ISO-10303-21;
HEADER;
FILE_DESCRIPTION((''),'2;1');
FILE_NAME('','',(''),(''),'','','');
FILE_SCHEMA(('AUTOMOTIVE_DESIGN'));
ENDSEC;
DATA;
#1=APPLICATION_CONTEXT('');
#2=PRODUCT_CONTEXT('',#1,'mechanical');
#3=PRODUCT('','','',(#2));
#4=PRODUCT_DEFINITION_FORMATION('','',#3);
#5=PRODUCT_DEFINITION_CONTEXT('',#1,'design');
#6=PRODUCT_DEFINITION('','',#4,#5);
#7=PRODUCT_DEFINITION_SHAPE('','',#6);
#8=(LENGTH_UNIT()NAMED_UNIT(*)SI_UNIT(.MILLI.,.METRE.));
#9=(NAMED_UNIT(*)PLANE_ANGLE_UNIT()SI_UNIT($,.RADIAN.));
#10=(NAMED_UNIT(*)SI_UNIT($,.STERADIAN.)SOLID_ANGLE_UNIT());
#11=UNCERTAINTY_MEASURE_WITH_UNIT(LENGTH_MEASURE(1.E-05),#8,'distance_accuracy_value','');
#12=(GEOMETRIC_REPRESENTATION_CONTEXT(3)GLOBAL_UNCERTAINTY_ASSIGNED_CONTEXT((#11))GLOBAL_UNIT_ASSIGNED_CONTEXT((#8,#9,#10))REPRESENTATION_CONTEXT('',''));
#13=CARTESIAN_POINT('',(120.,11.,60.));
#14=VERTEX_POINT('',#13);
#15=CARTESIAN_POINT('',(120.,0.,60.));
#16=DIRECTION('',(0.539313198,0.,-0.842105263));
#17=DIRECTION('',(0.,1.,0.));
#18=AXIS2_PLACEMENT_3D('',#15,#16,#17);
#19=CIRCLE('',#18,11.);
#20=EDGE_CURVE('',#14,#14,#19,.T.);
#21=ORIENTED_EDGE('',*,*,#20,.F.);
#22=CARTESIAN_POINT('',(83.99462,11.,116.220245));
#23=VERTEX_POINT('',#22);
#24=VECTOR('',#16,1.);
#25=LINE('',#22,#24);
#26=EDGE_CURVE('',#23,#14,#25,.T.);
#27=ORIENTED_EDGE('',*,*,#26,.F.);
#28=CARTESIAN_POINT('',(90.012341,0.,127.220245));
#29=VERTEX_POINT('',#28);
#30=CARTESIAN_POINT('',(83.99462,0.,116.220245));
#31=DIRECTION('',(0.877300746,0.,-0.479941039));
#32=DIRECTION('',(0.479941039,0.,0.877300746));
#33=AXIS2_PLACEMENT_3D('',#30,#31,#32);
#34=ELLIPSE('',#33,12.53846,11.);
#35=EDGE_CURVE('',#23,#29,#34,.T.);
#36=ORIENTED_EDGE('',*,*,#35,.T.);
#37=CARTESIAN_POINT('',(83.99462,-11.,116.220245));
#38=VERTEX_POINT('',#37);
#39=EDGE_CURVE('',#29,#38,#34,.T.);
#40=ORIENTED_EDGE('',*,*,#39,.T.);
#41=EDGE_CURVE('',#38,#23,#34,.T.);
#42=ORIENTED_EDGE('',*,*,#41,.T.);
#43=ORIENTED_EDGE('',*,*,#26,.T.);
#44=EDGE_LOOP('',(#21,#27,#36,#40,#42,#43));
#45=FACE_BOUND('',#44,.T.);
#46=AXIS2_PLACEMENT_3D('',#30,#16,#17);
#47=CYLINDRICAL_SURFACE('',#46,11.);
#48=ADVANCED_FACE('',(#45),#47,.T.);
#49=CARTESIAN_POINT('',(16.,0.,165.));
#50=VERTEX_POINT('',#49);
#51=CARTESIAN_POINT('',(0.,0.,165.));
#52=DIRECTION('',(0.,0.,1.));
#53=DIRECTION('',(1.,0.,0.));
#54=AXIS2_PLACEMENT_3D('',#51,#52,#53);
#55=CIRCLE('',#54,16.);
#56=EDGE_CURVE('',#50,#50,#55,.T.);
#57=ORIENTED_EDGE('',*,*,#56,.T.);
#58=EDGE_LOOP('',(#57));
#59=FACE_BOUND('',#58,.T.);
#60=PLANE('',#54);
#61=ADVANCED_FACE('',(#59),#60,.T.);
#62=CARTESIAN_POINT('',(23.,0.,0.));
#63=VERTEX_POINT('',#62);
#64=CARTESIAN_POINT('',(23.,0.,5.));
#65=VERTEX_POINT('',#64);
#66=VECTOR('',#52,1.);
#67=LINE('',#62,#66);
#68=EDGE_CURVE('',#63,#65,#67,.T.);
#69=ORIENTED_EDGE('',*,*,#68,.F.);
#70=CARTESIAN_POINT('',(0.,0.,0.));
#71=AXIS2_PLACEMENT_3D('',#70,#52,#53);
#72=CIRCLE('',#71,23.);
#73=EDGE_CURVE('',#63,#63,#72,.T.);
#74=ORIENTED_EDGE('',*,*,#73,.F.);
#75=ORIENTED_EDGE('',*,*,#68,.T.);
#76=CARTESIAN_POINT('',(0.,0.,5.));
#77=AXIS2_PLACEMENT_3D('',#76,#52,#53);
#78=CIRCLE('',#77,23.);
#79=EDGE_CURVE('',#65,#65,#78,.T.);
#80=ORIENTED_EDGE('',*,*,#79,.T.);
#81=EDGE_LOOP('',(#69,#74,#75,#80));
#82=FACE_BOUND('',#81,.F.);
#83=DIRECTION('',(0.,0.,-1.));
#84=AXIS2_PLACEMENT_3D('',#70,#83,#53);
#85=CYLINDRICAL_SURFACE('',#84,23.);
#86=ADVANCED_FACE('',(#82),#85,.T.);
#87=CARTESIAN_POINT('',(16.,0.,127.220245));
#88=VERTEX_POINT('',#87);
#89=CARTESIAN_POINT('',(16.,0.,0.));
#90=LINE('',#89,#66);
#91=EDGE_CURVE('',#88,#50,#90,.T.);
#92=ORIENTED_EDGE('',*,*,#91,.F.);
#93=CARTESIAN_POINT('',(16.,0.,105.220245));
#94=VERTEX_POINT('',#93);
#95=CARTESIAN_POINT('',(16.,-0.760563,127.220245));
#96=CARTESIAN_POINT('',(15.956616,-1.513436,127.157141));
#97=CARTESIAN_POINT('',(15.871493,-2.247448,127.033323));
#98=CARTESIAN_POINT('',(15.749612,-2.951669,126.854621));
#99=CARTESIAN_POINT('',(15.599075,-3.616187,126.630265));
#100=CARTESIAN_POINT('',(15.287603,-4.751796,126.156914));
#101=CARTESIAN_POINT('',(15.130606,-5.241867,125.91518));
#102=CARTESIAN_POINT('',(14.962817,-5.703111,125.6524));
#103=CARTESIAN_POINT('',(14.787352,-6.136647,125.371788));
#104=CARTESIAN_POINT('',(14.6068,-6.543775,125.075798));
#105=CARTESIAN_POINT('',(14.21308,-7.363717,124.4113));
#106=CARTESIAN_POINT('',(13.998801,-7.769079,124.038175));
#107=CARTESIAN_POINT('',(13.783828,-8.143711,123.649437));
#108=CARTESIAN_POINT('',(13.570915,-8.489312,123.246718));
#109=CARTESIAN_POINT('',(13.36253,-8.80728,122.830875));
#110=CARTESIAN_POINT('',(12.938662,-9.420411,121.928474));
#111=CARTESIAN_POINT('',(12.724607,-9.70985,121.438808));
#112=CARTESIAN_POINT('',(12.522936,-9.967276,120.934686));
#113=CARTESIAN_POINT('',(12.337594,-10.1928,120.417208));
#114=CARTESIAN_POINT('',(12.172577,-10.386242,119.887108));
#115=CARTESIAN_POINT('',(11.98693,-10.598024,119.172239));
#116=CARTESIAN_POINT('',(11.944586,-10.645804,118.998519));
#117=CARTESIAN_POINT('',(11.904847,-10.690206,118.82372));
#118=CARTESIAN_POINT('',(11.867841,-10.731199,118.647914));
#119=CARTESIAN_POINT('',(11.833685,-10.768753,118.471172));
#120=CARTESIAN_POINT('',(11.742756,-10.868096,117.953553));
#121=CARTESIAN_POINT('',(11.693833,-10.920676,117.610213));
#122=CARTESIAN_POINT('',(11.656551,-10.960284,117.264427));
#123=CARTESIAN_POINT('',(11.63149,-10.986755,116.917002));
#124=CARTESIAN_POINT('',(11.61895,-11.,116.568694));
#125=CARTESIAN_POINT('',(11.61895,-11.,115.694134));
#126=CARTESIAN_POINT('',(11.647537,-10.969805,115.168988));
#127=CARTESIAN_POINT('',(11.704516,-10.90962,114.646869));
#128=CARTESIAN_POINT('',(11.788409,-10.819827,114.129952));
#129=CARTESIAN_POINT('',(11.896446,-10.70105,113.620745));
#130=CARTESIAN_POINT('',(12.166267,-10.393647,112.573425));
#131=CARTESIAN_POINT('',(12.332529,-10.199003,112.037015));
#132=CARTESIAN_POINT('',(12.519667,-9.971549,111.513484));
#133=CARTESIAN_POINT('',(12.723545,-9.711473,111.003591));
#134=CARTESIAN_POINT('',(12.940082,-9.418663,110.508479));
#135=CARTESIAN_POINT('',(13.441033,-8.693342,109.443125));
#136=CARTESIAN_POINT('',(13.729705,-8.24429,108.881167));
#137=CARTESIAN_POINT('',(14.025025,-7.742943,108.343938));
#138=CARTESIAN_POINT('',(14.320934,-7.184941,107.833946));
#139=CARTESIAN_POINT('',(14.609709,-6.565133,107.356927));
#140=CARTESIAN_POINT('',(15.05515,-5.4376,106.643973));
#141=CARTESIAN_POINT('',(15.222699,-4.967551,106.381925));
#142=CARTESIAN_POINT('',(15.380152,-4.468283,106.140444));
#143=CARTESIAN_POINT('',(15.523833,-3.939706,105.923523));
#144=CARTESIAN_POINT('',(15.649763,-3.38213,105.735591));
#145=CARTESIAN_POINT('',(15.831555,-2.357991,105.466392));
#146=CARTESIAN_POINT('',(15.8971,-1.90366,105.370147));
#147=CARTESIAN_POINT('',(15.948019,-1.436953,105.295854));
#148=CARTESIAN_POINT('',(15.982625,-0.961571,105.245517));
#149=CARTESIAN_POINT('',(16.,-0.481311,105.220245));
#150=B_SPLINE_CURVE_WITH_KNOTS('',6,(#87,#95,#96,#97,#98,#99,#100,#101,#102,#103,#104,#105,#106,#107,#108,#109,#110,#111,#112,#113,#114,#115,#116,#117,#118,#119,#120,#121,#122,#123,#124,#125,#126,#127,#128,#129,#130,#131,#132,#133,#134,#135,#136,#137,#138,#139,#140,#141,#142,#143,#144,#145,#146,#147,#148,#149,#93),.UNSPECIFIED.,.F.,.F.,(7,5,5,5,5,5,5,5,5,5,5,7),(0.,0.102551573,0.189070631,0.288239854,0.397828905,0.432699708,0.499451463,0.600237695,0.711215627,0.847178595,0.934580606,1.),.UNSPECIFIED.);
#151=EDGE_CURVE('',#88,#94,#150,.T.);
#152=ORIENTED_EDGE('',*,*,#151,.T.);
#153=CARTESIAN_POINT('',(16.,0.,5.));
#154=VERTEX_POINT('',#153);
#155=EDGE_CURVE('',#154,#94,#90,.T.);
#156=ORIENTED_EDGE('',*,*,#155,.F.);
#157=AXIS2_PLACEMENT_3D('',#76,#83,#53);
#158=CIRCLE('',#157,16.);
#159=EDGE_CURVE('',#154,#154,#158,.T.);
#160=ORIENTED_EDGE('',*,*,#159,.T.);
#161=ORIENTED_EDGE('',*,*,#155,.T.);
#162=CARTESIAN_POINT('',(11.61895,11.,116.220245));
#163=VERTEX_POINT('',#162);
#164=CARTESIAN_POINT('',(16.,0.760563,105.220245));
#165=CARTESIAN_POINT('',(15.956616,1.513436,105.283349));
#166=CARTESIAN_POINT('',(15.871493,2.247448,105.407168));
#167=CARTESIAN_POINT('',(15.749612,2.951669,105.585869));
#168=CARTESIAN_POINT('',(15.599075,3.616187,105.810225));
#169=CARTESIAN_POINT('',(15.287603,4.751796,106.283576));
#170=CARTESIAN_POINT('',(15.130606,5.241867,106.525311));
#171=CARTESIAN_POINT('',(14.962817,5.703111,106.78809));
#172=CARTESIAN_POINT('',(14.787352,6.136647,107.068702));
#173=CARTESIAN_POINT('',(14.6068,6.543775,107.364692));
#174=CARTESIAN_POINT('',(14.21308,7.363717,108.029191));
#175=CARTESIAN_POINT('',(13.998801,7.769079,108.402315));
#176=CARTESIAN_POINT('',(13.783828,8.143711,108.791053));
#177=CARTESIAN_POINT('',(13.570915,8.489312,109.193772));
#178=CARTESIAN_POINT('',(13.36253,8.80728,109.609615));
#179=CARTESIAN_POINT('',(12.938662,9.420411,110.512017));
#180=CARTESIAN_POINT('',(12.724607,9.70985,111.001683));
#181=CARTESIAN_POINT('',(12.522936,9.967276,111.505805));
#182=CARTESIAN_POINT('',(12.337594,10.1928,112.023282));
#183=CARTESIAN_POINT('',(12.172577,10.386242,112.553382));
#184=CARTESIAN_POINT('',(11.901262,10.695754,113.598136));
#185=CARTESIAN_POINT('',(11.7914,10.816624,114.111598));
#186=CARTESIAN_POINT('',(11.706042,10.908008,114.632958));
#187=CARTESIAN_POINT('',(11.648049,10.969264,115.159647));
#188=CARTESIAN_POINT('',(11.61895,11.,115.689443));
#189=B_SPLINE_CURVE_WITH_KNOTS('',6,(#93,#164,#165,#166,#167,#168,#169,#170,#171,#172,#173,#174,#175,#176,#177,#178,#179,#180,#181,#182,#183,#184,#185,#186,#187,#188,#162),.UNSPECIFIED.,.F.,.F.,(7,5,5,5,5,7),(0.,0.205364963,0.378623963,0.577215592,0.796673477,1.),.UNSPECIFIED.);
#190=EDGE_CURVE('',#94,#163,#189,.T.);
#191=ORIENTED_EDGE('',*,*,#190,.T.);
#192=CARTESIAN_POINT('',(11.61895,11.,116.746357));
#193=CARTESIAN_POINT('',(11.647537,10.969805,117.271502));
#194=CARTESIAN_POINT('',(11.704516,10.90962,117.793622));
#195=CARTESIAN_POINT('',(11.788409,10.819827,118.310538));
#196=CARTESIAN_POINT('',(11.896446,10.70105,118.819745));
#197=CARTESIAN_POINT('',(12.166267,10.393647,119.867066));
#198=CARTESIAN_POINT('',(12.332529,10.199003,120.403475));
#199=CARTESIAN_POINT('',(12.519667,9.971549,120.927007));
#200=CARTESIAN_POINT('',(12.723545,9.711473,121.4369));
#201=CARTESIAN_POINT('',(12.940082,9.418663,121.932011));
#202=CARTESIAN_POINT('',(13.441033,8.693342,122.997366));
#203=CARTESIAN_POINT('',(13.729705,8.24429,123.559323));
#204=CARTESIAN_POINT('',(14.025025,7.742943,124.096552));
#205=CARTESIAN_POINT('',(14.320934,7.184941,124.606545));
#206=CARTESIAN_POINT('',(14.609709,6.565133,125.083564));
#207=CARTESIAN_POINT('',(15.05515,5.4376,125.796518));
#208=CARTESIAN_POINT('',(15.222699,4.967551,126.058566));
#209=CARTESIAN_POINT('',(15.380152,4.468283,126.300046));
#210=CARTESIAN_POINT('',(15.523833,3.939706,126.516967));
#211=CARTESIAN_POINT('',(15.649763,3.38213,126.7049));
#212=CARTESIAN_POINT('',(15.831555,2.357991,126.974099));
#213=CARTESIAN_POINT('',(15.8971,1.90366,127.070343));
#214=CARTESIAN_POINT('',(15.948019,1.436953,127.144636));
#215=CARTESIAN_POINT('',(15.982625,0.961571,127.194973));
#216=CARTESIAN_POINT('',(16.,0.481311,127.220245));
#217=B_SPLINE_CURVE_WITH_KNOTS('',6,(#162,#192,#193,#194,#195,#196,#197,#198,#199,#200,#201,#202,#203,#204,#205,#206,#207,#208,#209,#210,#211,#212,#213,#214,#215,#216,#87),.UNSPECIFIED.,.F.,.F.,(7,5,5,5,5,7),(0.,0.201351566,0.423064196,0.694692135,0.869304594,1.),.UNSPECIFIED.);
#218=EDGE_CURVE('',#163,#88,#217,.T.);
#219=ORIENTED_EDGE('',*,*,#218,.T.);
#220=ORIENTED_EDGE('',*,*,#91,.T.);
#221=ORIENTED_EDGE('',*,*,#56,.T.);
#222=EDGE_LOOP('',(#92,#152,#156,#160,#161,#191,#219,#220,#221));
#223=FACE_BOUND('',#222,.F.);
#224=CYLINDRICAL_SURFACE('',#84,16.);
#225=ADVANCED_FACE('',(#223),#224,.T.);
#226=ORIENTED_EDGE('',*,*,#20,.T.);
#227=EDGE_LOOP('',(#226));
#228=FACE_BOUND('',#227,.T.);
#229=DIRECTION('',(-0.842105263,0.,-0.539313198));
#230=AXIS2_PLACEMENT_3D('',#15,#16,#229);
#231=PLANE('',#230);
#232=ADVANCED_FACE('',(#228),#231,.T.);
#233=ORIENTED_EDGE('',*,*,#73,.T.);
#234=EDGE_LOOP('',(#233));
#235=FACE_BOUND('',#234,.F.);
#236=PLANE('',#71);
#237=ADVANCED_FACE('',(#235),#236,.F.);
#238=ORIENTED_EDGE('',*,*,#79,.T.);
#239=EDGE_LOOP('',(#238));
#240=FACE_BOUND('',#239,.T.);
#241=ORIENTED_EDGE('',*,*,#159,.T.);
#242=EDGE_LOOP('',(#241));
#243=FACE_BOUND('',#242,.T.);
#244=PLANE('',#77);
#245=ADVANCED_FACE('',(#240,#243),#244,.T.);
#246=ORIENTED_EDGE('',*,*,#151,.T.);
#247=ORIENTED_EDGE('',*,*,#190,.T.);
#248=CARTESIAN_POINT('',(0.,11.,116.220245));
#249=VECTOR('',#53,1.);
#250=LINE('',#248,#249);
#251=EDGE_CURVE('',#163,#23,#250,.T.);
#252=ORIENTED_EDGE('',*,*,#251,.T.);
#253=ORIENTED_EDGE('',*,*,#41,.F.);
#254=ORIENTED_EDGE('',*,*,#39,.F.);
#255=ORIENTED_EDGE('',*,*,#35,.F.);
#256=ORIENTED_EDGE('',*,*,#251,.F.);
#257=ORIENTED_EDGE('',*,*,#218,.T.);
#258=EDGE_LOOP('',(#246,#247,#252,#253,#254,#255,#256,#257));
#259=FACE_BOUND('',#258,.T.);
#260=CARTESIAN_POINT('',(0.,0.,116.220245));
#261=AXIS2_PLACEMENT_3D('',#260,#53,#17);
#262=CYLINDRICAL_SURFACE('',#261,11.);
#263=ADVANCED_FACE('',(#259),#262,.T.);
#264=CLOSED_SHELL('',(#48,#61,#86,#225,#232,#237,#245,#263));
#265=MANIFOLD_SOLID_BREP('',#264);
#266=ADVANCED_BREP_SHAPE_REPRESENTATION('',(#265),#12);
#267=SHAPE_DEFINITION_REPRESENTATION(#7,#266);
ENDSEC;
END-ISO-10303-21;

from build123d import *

# Parameters (mm, degrees)
F0_R     = 16
F1_DEPTH = 165
F4_R     = 11
F7_R     = 23
F8_DEPTH = 5


with BuildPart() as f1:
    # F0 (on Top) → F1 (new body)
    with BuildSketch(Plane.XY):
        Circle(F0_R)
    extrude(amount=F1_DEPTH)

    # F6: sweep along a path in F5
    with BuildLine(Plane.XZ) as f6_path:
        Line((0, 116.2202451894), (83.9946197184, 116.2202451894))
        Line((83.9946197184, 116.2202451894), (120, 60))
    # F4 (on Right) → F6 (sweep)
    with BuildSketch(Plane.YZ):
        with Locations((0, 116.2202451894)):
            Circle(F4_R)
    sweep(path=f6_path.line, transition=Transition.RIGHT)

    # F7 (on Top) → F8 (join)
    with BuildSketch(Plane.XY):
        Circle(F7_R)
    extrude(amount=F8_DEPTH)


solid = f1.part
